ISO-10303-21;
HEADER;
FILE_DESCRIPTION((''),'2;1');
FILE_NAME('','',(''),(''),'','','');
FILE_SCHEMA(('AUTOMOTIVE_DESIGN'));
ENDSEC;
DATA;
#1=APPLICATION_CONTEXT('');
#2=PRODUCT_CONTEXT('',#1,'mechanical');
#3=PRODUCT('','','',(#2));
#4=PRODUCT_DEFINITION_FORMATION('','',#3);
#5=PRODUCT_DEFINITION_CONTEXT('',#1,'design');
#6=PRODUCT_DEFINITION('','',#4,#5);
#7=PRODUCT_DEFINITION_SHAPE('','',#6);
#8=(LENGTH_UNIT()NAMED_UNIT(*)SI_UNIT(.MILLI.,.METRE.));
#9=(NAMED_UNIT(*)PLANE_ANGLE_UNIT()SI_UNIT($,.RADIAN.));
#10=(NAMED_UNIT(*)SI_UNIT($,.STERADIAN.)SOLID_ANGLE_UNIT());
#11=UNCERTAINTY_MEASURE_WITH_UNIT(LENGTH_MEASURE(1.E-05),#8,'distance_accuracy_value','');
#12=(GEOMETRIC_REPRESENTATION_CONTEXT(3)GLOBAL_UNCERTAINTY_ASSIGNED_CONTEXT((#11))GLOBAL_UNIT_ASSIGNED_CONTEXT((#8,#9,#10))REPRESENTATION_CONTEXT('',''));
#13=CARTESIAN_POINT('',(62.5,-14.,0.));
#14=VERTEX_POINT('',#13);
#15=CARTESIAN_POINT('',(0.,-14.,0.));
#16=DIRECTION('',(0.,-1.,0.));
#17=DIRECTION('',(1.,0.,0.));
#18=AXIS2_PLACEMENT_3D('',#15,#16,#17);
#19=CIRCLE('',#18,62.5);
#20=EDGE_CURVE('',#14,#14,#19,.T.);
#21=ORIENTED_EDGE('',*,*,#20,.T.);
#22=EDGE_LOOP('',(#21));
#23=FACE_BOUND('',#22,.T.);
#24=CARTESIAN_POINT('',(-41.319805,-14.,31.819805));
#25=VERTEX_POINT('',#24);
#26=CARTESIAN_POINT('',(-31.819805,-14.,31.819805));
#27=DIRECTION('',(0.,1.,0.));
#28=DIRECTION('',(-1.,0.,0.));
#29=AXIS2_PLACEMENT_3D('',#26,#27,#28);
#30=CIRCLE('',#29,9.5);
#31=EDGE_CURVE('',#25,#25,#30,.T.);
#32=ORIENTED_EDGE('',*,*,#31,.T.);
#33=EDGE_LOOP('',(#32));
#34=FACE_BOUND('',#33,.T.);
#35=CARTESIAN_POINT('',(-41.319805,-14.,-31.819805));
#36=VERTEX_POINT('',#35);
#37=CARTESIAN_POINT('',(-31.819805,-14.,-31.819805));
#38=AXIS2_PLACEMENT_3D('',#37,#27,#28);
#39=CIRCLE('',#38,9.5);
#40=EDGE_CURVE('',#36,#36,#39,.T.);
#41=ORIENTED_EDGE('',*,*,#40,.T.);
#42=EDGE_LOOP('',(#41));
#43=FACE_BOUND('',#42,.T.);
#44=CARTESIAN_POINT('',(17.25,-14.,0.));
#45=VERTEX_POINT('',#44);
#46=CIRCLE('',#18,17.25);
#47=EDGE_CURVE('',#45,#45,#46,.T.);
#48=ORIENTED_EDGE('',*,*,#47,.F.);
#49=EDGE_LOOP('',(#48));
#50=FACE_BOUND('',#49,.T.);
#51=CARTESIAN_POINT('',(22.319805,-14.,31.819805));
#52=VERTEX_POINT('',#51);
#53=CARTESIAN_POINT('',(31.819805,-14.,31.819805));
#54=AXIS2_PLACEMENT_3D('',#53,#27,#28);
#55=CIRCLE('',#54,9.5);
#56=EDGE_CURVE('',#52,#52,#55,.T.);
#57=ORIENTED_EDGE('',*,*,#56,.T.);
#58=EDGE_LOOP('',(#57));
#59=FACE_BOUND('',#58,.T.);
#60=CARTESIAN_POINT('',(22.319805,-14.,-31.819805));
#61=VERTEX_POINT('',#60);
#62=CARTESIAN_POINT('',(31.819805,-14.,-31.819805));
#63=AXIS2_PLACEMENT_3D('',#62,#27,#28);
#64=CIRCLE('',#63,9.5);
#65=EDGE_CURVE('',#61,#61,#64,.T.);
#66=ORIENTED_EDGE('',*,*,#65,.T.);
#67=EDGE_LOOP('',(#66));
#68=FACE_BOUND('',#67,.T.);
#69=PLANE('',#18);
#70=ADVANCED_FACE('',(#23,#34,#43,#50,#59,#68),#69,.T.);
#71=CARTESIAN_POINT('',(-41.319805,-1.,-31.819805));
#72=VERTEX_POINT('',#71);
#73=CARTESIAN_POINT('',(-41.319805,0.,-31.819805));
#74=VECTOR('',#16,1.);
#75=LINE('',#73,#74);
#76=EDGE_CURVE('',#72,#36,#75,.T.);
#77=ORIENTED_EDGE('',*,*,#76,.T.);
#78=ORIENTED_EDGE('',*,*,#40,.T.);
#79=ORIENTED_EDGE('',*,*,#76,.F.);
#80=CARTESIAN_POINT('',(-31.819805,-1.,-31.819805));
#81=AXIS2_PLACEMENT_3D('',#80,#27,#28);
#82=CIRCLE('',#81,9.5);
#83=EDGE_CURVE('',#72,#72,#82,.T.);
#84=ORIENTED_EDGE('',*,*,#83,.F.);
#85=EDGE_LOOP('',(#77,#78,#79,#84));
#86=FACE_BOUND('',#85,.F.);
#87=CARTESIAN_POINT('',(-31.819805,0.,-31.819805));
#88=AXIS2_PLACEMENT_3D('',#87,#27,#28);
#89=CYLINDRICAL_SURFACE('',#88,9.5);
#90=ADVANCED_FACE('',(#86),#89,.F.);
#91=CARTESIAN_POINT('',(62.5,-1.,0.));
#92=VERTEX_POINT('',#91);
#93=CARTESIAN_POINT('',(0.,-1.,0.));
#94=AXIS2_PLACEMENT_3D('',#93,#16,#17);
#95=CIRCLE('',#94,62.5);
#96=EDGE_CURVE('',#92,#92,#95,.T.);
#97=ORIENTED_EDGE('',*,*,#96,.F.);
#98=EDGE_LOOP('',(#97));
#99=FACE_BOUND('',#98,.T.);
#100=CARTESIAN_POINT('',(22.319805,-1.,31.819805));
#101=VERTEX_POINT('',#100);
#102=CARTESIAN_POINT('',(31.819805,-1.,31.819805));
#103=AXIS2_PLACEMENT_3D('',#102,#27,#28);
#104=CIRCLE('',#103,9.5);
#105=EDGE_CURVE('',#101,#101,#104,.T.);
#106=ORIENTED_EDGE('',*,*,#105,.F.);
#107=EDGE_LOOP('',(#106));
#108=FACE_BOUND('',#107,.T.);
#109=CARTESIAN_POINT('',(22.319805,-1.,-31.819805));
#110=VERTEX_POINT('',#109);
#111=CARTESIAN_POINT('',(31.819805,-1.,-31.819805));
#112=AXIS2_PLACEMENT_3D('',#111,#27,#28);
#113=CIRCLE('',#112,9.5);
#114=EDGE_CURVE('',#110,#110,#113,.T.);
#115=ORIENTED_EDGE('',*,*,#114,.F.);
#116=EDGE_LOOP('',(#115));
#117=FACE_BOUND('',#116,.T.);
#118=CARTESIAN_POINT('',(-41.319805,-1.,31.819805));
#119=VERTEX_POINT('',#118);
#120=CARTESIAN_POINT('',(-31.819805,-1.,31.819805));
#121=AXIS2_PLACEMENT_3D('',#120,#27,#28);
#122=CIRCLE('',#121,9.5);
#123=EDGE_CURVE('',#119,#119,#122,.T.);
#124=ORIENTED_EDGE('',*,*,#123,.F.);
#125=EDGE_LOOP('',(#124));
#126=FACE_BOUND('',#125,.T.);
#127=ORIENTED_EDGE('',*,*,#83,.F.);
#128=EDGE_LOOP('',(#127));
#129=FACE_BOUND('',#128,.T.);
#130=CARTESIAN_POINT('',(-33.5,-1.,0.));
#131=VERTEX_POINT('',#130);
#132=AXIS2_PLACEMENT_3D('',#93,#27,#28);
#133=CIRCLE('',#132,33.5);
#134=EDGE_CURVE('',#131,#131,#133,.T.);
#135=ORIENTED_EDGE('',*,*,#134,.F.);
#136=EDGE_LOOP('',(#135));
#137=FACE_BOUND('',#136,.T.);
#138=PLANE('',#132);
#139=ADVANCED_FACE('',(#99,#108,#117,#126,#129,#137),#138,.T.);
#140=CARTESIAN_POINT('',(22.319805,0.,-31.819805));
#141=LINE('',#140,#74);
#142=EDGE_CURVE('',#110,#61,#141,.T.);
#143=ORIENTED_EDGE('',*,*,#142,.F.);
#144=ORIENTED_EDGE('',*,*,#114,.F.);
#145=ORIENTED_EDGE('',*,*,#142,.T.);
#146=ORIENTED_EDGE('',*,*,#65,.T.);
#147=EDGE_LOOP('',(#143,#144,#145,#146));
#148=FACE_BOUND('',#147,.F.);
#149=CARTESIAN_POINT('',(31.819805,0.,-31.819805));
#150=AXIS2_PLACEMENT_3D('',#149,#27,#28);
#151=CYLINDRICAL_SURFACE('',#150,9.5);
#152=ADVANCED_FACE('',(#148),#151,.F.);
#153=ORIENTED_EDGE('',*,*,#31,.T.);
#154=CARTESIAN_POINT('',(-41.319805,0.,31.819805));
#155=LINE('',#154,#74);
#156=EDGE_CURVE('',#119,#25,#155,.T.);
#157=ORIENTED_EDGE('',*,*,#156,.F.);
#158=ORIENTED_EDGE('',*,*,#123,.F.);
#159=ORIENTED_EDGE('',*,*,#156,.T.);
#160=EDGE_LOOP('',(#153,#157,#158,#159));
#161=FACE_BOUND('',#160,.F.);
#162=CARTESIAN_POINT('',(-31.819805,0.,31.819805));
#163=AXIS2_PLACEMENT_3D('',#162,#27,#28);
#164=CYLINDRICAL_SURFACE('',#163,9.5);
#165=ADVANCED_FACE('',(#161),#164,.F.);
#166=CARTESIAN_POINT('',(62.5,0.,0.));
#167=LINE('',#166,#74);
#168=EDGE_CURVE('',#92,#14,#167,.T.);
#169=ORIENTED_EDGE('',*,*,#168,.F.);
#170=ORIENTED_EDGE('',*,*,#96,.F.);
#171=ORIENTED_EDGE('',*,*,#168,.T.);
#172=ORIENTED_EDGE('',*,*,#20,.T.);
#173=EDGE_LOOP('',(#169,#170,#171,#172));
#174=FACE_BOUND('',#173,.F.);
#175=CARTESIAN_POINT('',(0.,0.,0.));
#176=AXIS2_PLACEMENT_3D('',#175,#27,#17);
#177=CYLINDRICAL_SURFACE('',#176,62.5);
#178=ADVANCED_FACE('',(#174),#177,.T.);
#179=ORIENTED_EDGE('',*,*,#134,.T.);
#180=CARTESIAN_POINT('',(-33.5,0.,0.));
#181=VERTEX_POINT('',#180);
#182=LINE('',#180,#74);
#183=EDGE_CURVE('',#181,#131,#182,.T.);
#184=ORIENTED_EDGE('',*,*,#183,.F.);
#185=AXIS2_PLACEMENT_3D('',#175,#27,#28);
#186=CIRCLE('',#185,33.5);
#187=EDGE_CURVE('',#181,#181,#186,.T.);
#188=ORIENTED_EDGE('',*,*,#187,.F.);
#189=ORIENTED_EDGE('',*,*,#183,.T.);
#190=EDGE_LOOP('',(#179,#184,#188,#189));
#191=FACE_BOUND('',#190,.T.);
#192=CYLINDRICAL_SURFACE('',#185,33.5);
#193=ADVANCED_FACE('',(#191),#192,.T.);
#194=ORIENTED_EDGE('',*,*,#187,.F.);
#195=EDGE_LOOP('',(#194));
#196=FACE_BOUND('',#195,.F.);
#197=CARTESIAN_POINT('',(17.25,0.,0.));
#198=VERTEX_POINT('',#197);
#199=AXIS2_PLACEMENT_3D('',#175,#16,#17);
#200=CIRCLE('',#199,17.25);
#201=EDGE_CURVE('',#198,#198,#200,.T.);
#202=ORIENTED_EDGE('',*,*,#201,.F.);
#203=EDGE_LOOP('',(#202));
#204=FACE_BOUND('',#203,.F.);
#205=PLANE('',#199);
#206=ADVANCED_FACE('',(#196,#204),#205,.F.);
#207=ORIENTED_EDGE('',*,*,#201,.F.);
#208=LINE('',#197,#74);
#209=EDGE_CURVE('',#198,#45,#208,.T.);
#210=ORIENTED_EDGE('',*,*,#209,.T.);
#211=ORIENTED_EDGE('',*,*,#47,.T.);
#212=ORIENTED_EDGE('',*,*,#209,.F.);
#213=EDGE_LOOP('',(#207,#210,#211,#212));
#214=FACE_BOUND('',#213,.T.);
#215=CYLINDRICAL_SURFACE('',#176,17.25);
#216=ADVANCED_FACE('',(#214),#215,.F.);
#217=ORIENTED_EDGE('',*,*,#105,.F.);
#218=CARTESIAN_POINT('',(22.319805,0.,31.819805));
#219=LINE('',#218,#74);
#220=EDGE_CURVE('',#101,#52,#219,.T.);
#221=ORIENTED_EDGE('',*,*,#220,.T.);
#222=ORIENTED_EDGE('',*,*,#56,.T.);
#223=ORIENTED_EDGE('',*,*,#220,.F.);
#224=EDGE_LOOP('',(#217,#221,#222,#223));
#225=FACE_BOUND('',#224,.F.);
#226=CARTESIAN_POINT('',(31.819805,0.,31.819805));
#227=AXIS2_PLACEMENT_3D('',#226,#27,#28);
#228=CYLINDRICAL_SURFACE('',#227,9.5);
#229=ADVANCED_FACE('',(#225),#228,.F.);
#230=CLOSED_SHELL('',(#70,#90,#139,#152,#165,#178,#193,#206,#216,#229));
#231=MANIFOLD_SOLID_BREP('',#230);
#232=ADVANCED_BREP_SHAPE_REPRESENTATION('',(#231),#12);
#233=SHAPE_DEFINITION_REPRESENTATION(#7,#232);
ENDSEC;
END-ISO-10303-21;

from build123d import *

# Parameters (mm, degrees)
F0_R     = 62.5
F0_R_2   = 17.25
F1_DEPTH = 14
F2_R     = 62.5
F2_R_2   = 33.5
F3_DEPTH = 1
F4_R     = 9.5
F5_DEPTH = 14.001


with BuildPart() as f1:
    # F0 (on Front) → F1 (new body)
    with BuildSketch(Plane.XZ):
        Circle(F0_R)
        Circle(F0_R_2, mode=Mode.SUBTRACT)
    extrude(amount=F1_DEPTH)

    # F2 (on face) → F3 (cut)
    with BuildSketch(Plane(origin=(0, 0, 0), x_dir=(-1, 0, 0), z_dir=(0, 1, 0))):
        Circle(F2_R)
        Circle(F2_R_2, mode=Mode.SUBTRACT)
    extrude(amount=-F3_DEPTH, mode=Mode.SUBTRACT)

    # F4 (on face) → F5 (cut, through all)
    with BuildSketch(Plane(origin=(0, 0, 0), x_dir=(-1, 0, 0), z_dir=(0, 1, 0))):
        with Locations((-31.819805, 31.819805)):
            Circle(F4_R)
        with Locations((-31.819805, -31.819805)):
            Circle(F4_R)
        with Locations((31.819805, -31.819805)):
            Circle(F4_R)
        with Locations((31.819805, 31.819805)):
            Circle(F4_R)
    extrude(amount=-F5_DEPTH, mode=Mode.SUBTRACT)


solid = f1.part
